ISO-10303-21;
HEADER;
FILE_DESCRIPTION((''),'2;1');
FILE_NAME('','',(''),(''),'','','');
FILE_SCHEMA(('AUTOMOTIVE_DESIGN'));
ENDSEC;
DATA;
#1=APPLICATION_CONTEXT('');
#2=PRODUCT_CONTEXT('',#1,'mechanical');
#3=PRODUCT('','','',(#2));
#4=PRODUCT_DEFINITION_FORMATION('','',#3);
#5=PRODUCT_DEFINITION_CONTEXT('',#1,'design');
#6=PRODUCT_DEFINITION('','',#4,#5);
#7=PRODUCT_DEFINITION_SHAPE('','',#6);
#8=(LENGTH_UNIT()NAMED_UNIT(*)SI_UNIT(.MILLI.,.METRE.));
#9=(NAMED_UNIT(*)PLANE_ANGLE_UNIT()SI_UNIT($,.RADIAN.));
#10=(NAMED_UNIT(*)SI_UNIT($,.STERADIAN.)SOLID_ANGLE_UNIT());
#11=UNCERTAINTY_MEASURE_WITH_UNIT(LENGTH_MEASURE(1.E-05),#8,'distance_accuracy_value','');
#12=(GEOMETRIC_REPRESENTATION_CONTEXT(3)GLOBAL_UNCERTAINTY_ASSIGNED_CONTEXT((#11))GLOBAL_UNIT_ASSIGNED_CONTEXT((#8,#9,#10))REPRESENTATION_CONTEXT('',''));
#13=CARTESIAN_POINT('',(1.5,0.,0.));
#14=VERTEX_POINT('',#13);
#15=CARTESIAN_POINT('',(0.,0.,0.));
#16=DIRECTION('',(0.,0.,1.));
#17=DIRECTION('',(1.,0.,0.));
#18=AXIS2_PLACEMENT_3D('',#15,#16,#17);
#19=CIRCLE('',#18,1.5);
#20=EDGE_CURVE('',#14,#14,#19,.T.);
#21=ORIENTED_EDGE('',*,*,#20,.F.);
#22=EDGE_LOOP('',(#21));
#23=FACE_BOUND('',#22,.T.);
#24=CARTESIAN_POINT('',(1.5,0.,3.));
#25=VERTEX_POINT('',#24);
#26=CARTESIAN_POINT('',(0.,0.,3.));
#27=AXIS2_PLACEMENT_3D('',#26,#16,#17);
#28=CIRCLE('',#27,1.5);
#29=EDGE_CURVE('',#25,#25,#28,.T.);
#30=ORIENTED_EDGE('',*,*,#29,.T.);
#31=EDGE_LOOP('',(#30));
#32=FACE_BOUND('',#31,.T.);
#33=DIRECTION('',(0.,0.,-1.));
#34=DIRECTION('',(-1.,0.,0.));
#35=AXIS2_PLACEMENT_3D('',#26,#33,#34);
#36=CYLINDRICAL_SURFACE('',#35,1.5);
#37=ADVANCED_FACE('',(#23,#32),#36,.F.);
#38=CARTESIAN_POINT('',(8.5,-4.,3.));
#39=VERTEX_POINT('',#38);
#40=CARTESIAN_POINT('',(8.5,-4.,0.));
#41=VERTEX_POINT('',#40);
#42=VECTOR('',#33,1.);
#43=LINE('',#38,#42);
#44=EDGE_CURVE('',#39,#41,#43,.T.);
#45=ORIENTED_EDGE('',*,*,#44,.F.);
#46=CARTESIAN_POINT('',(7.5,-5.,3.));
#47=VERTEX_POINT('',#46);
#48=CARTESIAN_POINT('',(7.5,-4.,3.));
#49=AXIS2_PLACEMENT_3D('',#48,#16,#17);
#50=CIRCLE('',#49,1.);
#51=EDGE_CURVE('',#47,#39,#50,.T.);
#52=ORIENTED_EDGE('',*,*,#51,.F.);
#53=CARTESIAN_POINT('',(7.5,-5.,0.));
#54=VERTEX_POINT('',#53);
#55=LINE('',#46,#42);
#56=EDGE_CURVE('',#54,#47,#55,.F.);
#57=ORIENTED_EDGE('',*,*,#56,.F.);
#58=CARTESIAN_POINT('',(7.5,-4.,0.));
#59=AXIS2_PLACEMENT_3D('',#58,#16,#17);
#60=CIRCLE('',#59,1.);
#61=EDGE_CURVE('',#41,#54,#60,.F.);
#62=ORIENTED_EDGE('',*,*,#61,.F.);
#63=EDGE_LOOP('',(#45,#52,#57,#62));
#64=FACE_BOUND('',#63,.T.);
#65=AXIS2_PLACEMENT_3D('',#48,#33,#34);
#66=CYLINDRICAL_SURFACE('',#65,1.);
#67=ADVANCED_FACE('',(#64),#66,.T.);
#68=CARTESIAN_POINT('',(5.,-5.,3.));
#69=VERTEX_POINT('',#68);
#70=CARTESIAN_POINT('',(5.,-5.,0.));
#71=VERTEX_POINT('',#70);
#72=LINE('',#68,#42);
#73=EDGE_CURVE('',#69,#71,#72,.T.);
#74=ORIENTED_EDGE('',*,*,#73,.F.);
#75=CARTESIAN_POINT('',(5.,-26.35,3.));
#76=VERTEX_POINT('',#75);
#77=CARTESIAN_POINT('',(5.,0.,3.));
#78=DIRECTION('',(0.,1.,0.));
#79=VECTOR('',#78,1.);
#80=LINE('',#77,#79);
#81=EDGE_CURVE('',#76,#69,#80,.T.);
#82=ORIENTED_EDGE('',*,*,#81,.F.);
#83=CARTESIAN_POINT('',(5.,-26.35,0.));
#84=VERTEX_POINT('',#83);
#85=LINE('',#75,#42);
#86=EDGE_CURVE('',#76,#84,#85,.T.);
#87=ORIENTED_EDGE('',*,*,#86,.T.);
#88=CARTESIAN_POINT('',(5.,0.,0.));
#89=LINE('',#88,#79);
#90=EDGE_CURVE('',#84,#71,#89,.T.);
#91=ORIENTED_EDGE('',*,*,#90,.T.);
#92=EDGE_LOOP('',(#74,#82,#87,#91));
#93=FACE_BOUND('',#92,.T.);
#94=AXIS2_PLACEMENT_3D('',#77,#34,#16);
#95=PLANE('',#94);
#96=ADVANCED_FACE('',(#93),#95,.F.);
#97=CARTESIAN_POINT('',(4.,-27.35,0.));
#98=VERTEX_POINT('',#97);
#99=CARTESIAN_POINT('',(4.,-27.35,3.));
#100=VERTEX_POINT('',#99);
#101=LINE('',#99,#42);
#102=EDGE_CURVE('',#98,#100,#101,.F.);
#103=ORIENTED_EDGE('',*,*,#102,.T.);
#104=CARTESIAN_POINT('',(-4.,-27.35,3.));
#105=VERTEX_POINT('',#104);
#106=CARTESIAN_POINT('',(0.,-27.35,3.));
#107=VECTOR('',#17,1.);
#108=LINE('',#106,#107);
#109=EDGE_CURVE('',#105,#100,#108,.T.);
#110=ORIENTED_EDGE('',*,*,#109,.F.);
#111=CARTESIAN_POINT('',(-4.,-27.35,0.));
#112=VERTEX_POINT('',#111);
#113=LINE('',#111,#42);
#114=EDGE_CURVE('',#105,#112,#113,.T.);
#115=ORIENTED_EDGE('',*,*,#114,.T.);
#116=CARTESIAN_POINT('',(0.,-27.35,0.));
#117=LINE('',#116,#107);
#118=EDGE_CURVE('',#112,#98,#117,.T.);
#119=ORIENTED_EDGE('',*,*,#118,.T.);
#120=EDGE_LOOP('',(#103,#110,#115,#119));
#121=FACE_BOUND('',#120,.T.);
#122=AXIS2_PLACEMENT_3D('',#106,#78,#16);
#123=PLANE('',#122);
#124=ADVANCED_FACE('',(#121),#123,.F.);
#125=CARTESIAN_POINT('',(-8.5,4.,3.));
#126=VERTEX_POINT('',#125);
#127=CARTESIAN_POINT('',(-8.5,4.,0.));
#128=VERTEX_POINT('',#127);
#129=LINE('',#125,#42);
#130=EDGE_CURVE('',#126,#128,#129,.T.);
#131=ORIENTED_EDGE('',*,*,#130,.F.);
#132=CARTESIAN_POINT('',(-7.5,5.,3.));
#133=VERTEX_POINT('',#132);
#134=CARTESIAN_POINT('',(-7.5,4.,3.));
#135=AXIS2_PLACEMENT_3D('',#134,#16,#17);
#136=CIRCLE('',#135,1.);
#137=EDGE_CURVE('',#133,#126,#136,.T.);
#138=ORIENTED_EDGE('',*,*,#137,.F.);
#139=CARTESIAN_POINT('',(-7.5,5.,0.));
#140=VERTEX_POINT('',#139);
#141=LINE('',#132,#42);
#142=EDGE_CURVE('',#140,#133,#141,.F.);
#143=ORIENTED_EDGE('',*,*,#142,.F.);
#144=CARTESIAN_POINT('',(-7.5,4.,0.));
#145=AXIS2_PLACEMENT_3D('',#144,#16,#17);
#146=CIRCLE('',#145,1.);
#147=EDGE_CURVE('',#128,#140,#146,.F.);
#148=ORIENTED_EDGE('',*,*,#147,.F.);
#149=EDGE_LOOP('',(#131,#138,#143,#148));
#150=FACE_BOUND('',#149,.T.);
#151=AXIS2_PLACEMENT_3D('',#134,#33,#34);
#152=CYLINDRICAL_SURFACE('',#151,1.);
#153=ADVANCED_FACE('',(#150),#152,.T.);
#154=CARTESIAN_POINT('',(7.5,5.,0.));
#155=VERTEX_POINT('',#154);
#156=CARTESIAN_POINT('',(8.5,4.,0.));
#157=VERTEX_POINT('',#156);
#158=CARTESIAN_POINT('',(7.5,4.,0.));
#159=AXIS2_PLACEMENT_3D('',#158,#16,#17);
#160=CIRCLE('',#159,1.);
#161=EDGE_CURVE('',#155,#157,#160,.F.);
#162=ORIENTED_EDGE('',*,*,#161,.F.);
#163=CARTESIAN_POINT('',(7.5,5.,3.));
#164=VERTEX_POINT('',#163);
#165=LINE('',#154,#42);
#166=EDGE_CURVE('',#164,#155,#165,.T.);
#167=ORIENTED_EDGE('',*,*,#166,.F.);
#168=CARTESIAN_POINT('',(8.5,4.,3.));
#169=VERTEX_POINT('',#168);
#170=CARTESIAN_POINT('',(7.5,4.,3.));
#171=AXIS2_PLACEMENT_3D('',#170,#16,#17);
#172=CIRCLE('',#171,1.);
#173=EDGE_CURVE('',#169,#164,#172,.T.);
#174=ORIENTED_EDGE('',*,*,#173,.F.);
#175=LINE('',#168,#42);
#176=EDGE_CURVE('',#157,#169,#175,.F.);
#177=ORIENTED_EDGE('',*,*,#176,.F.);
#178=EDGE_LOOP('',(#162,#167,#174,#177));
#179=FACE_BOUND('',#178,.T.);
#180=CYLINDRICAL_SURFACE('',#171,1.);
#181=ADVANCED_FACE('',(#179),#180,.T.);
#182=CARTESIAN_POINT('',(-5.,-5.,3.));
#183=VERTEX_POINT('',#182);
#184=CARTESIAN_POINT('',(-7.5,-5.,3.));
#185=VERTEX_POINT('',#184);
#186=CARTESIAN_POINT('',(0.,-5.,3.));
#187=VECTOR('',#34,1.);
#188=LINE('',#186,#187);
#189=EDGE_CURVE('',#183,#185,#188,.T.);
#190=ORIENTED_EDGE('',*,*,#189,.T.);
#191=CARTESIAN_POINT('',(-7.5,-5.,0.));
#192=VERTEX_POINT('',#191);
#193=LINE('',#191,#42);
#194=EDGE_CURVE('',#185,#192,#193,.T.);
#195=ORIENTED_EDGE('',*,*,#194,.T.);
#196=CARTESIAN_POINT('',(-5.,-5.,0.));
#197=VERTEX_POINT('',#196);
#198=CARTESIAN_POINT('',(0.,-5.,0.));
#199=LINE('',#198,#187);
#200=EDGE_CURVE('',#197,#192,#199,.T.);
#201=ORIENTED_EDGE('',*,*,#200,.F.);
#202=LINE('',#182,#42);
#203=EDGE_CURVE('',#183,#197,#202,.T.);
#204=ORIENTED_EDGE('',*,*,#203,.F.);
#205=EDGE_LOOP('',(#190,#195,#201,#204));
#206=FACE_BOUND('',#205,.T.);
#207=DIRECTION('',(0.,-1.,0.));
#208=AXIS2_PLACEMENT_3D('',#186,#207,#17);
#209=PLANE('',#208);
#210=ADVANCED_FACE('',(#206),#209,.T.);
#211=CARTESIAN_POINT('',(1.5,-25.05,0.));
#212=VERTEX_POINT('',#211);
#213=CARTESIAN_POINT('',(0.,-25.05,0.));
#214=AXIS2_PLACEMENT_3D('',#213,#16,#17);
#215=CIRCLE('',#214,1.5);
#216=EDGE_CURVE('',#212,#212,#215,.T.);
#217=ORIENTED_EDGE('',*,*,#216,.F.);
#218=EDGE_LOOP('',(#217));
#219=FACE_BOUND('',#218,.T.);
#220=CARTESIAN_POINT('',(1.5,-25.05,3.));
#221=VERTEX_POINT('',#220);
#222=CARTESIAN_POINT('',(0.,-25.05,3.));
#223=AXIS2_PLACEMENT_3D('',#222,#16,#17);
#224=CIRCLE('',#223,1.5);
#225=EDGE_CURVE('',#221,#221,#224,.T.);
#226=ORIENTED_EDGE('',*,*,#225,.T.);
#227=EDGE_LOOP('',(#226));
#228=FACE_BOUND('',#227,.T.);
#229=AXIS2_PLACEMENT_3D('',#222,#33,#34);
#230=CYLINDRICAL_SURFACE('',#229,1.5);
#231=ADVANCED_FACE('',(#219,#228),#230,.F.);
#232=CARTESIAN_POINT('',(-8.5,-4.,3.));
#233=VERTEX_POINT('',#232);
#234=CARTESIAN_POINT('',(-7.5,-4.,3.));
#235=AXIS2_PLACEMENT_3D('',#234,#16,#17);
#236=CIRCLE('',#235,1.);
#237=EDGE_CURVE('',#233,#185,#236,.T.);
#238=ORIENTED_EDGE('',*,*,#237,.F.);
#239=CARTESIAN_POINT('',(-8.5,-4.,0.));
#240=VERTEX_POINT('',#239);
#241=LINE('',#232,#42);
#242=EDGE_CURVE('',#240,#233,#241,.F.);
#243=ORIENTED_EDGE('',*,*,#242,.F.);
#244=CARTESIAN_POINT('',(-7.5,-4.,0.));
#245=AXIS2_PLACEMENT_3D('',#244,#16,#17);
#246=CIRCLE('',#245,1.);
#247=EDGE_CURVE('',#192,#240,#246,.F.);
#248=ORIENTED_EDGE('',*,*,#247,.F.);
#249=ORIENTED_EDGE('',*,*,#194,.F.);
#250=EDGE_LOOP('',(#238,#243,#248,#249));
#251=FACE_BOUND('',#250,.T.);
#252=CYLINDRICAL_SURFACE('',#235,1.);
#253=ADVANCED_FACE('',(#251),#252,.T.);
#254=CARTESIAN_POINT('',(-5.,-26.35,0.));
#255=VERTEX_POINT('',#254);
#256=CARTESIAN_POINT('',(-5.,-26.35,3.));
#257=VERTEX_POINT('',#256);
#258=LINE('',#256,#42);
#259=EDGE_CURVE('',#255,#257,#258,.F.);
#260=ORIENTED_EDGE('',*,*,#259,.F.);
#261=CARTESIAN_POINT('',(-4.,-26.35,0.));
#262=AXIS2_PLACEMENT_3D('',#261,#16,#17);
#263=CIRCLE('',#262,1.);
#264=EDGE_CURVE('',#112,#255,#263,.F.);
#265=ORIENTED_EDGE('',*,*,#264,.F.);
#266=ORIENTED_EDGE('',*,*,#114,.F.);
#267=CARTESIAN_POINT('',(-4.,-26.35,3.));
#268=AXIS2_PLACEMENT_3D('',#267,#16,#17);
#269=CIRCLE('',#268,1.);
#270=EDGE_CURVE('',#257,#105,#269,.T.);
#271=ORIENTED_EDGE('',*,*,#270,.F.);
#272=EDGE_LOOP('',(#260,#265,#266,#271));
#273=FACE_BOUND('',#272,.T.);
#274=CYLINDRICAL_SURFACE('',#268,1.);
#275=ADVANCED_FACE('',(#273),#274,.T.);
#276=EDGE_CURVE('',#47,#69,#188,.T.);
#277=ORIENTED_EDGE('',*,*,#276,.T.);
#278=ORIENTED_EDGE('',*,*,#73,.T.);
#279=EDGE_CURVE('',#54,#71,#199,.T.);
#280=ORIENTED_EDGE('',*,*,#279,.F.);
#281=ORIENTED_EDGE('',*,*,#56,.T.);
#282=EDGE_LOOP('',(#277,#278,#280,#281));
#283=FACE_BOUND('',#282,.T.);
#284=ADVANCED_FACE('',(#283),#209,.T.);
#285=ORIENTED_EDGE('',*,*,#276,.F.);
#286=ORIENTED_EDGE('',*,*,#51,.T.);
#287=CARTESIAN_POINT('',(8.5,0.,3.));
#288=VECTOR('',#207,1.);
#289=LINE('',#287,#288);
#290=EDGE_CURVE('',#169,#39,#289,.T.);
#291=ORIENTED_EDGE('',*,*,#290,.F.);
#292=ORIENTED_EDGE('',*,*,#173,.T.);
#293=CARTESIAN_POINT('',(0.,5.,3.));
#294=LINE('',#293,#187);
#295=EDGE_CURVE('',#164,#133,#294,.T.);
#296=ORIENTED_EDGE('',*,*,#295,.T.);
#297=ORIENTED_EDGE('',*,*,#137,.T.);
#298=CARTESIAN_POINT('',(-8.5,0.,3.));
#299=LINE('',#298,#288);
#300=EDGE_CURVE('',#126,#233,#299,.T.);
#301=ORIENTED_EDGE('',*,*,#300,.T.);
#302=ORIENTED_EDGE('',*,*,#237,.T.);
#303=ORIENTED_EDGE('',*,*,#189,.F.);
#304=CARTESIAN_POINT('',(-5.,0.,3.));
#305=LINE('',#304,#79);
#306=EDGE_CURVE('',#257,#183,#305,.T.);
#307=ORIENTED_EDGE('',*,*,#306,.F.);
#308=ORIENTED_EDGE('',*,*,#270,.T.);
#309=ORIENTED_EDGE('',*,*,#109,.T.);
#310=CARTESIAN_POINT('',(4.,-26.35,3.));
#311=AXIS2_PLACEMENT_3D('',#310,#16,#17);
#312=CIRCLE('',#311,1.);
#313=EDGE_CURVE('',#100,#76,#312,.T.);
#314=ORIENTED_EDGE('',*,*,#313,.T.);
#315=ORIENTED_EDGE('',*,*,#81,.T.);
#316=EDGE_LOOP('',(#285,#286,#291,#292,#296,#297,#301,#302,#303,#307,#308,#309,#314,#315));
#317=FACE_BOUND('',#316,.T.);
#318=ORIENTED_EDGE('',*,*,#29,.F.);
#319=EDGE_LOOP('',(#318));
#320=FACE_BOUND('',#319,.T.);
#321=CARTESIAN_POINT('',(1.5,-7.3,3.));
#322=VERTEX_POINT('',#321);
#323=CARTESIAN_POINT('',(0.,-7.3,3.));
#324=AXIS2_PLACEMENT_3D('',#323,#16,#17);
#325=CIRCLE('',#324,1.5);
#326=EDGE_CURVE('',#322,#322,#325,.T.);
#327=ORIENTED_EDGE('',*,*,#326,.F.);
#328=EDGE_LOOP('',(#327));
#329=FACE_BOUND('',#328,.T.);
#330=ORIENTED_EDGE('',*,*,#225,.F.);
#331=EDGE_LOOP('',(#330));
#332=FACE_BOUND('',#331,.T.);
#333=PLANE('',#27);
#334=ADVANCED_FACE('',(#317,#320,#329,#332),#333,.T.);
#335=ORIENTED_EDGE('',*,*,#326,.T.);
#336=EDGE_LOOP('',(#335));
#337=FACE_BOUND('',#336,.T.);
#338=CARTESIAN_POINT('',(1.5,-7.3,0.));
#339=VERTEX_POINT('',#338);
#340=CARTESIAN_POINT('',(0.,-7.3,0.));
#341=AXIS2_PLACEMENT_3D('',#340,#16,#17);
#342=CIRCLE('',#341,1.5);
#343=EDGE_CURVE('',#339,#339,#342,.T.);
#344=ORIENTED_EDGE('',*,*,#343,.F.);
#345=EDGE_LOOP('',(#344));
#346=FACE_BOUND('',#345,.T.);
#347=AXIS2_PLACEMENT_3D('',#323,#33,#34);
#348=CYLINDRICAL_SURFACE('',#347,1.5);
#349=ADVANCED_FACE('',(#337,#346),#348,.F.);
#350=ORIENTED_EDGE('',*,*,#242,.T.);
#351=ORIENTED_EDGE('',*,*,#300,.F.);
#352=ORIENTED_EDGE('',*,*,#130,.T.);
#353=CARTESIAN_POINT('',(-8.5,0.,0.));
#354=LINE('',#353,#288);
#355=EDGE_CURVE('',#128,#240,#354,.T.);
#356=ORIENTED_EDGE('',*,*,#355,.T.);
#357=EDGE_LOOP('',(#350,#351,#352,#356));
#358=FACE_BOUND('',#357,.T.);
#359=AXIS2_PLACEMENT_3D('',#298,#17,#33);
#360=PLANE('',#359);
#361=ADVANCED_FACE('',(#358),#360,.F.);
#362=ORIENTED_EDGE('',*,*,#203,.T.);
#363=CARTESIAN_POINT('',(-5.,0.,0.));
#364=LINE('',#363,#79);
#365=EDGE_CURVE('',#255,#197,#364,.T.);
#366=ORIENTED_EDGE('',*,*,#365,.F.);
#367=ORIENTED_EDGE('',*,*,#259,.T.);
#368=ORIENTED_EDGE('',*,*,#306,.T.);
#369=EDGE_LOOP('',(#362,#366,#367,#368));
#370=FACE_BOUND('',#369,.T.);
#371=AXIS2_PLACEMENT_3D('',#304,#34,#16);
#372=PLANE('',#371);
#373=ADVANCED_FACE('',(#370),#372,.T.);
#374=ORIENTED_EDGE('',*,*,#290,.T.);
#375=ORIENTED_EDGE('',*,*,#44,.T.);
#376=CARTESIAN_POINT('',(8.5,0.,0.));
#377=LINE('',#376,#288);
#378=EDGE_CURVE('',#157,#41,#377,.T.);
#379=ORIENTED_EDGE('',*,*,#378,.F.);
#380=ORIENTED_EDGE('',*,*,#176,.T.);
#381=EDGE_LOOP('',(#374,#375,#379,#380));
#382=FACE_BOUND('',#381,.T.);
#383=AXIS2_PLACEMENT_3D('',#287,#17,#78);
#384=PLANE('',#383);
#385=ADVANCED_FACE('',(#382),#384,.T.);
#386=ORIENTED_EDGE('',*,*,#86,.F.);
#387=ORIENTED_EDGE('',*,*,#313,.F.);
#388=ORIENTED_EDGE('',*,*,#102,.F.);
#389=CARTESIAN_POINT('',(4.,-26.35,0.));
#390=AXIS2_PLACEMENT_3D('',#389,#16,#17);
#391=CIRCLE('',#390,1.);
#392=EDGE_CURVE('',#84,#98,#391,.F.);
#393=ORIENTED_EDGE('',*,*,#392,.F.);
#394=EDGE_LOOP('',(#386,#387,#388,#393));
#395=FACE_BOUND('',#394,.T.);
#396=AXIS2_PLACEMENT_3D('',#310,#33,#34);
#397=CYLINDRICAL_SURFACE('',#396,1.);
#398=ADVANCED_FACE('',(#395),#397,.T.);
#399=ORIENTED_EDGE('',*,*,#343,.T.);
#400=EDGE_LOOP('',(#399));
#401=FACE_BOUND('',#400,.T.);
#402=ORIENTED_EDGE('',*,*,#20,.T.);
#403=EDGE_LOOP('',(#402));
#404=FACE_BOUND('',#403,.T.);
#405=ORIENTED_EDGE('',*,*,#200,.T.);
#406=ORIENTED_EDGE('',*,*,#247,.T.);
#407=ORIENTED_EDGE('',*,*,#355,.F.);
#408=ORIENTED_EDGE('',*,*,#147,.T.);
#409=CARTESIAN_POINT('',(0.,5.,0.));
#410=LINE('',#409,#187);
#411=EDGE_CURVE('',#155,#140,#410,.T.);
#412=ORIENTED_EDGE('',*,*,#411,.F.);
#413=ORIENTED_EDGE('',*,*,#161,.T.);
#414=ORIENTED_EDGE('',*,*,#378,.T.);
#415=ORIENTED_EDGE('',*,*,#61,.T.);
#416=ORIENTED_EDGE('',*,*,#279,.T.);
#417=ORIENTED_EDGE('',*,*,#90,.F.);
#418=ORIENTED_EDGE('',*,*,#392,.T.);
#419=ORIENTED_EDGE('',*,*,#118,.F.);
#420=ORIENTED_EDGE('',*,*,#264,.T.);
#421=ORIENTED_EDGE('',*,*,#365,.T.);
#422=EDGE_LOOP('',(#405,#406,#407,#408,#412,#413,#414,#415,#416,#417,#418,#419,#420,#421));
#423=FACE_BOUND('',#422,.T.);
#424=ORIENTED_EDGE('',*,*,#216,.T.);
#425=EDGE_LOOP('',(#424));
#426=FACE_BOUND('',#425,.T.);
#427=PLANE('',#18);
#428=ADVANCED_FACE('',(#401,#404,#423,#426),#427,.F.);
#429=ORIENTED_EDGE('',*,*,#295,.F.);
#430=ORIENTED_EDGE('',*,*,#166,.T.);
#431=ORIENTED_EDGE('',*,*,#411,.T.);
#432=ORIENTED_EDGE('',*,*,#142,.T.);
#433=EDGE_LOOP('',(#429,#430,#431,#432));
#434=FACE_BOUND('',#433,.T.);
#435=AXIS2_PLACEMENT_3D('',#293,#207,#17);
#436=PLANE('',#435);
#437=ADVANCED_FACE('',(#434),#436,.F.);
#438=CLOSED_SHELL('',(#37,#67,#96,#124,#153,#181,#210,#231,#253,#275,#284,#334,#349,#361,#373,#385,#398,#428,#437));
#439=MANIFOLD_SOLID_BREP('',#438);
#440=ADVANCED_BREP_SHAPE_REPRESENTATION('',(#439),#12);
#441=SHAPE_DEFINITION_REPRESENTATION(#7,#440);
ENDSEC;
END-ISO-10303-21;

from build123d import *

# Parameters (mm, degrees)
SKETCH2_W           = 17
SKETCH2_H           = 10
SKETCH2_R           = 1.5
SKETCH2_W_2         = 10
SKETCH2_H_2         = 22.35
BOSS_EXTRUDE1_DEPTH = 3
FILLET5_R           = 1
FILLET6_R           = 1
FILLET7_R           = 1


with BuildPart() as part:
    # Sketch2 → Boss-Extrude1 (new body)
    # profile 1 of 2: a face of its own
    with BuildSketch(Plane.XY):
        Rectangle(SKETCH2_W, SKETCH2_H)
        Circle(SKETCH2_R, mode=Mode.SUBTRACT)
    # profile 2 of 2: a face of its own
    with BuildSketch(Plane.XY):
        with Locations((0, -16.175)):
            Rectangle(SKETCH2_W_2, SKETCH2_H_2)
        with Locations((0, -7.3)):
            Circle(SKETCH2_R, mode=Mode.SUBTRACT)
        with Locations((0, -25.05)):
            Circle(SKETCH2_R, mode=Mode.SUBTRACT)
    extrude(amount=BOSS_EXTRUDE1_DEPTH)

    # Fillet5
    fillet5_edges = [part.edges().sort_by_distance(p)[0] for p in [
        (8.5, -5, 1.5),
    ]]
    fillet(fillet5_edges, radius=FILLET5_R)

    # Fillet6
    fillet6_edges = [part.edges().sort_by_distance(p)[0] for p in [
        (5, -27.35, 1.5),
        (-5, -27.35, 1.5),
        (-8.5, -5, 1.5),
    ]]
    fillet(fillet6_edges, radius=FILLET6_R)

    # Fillet7
    fillet7_edges = [part.edges().sort_by_distance(p)[0] for p in [
        (8.5, 5, 1.5),
        (-8.5, 5, 1.5),
    ]]
    fillet(fillet7_edges, radius=FILLET7_R)


solid = part.part
